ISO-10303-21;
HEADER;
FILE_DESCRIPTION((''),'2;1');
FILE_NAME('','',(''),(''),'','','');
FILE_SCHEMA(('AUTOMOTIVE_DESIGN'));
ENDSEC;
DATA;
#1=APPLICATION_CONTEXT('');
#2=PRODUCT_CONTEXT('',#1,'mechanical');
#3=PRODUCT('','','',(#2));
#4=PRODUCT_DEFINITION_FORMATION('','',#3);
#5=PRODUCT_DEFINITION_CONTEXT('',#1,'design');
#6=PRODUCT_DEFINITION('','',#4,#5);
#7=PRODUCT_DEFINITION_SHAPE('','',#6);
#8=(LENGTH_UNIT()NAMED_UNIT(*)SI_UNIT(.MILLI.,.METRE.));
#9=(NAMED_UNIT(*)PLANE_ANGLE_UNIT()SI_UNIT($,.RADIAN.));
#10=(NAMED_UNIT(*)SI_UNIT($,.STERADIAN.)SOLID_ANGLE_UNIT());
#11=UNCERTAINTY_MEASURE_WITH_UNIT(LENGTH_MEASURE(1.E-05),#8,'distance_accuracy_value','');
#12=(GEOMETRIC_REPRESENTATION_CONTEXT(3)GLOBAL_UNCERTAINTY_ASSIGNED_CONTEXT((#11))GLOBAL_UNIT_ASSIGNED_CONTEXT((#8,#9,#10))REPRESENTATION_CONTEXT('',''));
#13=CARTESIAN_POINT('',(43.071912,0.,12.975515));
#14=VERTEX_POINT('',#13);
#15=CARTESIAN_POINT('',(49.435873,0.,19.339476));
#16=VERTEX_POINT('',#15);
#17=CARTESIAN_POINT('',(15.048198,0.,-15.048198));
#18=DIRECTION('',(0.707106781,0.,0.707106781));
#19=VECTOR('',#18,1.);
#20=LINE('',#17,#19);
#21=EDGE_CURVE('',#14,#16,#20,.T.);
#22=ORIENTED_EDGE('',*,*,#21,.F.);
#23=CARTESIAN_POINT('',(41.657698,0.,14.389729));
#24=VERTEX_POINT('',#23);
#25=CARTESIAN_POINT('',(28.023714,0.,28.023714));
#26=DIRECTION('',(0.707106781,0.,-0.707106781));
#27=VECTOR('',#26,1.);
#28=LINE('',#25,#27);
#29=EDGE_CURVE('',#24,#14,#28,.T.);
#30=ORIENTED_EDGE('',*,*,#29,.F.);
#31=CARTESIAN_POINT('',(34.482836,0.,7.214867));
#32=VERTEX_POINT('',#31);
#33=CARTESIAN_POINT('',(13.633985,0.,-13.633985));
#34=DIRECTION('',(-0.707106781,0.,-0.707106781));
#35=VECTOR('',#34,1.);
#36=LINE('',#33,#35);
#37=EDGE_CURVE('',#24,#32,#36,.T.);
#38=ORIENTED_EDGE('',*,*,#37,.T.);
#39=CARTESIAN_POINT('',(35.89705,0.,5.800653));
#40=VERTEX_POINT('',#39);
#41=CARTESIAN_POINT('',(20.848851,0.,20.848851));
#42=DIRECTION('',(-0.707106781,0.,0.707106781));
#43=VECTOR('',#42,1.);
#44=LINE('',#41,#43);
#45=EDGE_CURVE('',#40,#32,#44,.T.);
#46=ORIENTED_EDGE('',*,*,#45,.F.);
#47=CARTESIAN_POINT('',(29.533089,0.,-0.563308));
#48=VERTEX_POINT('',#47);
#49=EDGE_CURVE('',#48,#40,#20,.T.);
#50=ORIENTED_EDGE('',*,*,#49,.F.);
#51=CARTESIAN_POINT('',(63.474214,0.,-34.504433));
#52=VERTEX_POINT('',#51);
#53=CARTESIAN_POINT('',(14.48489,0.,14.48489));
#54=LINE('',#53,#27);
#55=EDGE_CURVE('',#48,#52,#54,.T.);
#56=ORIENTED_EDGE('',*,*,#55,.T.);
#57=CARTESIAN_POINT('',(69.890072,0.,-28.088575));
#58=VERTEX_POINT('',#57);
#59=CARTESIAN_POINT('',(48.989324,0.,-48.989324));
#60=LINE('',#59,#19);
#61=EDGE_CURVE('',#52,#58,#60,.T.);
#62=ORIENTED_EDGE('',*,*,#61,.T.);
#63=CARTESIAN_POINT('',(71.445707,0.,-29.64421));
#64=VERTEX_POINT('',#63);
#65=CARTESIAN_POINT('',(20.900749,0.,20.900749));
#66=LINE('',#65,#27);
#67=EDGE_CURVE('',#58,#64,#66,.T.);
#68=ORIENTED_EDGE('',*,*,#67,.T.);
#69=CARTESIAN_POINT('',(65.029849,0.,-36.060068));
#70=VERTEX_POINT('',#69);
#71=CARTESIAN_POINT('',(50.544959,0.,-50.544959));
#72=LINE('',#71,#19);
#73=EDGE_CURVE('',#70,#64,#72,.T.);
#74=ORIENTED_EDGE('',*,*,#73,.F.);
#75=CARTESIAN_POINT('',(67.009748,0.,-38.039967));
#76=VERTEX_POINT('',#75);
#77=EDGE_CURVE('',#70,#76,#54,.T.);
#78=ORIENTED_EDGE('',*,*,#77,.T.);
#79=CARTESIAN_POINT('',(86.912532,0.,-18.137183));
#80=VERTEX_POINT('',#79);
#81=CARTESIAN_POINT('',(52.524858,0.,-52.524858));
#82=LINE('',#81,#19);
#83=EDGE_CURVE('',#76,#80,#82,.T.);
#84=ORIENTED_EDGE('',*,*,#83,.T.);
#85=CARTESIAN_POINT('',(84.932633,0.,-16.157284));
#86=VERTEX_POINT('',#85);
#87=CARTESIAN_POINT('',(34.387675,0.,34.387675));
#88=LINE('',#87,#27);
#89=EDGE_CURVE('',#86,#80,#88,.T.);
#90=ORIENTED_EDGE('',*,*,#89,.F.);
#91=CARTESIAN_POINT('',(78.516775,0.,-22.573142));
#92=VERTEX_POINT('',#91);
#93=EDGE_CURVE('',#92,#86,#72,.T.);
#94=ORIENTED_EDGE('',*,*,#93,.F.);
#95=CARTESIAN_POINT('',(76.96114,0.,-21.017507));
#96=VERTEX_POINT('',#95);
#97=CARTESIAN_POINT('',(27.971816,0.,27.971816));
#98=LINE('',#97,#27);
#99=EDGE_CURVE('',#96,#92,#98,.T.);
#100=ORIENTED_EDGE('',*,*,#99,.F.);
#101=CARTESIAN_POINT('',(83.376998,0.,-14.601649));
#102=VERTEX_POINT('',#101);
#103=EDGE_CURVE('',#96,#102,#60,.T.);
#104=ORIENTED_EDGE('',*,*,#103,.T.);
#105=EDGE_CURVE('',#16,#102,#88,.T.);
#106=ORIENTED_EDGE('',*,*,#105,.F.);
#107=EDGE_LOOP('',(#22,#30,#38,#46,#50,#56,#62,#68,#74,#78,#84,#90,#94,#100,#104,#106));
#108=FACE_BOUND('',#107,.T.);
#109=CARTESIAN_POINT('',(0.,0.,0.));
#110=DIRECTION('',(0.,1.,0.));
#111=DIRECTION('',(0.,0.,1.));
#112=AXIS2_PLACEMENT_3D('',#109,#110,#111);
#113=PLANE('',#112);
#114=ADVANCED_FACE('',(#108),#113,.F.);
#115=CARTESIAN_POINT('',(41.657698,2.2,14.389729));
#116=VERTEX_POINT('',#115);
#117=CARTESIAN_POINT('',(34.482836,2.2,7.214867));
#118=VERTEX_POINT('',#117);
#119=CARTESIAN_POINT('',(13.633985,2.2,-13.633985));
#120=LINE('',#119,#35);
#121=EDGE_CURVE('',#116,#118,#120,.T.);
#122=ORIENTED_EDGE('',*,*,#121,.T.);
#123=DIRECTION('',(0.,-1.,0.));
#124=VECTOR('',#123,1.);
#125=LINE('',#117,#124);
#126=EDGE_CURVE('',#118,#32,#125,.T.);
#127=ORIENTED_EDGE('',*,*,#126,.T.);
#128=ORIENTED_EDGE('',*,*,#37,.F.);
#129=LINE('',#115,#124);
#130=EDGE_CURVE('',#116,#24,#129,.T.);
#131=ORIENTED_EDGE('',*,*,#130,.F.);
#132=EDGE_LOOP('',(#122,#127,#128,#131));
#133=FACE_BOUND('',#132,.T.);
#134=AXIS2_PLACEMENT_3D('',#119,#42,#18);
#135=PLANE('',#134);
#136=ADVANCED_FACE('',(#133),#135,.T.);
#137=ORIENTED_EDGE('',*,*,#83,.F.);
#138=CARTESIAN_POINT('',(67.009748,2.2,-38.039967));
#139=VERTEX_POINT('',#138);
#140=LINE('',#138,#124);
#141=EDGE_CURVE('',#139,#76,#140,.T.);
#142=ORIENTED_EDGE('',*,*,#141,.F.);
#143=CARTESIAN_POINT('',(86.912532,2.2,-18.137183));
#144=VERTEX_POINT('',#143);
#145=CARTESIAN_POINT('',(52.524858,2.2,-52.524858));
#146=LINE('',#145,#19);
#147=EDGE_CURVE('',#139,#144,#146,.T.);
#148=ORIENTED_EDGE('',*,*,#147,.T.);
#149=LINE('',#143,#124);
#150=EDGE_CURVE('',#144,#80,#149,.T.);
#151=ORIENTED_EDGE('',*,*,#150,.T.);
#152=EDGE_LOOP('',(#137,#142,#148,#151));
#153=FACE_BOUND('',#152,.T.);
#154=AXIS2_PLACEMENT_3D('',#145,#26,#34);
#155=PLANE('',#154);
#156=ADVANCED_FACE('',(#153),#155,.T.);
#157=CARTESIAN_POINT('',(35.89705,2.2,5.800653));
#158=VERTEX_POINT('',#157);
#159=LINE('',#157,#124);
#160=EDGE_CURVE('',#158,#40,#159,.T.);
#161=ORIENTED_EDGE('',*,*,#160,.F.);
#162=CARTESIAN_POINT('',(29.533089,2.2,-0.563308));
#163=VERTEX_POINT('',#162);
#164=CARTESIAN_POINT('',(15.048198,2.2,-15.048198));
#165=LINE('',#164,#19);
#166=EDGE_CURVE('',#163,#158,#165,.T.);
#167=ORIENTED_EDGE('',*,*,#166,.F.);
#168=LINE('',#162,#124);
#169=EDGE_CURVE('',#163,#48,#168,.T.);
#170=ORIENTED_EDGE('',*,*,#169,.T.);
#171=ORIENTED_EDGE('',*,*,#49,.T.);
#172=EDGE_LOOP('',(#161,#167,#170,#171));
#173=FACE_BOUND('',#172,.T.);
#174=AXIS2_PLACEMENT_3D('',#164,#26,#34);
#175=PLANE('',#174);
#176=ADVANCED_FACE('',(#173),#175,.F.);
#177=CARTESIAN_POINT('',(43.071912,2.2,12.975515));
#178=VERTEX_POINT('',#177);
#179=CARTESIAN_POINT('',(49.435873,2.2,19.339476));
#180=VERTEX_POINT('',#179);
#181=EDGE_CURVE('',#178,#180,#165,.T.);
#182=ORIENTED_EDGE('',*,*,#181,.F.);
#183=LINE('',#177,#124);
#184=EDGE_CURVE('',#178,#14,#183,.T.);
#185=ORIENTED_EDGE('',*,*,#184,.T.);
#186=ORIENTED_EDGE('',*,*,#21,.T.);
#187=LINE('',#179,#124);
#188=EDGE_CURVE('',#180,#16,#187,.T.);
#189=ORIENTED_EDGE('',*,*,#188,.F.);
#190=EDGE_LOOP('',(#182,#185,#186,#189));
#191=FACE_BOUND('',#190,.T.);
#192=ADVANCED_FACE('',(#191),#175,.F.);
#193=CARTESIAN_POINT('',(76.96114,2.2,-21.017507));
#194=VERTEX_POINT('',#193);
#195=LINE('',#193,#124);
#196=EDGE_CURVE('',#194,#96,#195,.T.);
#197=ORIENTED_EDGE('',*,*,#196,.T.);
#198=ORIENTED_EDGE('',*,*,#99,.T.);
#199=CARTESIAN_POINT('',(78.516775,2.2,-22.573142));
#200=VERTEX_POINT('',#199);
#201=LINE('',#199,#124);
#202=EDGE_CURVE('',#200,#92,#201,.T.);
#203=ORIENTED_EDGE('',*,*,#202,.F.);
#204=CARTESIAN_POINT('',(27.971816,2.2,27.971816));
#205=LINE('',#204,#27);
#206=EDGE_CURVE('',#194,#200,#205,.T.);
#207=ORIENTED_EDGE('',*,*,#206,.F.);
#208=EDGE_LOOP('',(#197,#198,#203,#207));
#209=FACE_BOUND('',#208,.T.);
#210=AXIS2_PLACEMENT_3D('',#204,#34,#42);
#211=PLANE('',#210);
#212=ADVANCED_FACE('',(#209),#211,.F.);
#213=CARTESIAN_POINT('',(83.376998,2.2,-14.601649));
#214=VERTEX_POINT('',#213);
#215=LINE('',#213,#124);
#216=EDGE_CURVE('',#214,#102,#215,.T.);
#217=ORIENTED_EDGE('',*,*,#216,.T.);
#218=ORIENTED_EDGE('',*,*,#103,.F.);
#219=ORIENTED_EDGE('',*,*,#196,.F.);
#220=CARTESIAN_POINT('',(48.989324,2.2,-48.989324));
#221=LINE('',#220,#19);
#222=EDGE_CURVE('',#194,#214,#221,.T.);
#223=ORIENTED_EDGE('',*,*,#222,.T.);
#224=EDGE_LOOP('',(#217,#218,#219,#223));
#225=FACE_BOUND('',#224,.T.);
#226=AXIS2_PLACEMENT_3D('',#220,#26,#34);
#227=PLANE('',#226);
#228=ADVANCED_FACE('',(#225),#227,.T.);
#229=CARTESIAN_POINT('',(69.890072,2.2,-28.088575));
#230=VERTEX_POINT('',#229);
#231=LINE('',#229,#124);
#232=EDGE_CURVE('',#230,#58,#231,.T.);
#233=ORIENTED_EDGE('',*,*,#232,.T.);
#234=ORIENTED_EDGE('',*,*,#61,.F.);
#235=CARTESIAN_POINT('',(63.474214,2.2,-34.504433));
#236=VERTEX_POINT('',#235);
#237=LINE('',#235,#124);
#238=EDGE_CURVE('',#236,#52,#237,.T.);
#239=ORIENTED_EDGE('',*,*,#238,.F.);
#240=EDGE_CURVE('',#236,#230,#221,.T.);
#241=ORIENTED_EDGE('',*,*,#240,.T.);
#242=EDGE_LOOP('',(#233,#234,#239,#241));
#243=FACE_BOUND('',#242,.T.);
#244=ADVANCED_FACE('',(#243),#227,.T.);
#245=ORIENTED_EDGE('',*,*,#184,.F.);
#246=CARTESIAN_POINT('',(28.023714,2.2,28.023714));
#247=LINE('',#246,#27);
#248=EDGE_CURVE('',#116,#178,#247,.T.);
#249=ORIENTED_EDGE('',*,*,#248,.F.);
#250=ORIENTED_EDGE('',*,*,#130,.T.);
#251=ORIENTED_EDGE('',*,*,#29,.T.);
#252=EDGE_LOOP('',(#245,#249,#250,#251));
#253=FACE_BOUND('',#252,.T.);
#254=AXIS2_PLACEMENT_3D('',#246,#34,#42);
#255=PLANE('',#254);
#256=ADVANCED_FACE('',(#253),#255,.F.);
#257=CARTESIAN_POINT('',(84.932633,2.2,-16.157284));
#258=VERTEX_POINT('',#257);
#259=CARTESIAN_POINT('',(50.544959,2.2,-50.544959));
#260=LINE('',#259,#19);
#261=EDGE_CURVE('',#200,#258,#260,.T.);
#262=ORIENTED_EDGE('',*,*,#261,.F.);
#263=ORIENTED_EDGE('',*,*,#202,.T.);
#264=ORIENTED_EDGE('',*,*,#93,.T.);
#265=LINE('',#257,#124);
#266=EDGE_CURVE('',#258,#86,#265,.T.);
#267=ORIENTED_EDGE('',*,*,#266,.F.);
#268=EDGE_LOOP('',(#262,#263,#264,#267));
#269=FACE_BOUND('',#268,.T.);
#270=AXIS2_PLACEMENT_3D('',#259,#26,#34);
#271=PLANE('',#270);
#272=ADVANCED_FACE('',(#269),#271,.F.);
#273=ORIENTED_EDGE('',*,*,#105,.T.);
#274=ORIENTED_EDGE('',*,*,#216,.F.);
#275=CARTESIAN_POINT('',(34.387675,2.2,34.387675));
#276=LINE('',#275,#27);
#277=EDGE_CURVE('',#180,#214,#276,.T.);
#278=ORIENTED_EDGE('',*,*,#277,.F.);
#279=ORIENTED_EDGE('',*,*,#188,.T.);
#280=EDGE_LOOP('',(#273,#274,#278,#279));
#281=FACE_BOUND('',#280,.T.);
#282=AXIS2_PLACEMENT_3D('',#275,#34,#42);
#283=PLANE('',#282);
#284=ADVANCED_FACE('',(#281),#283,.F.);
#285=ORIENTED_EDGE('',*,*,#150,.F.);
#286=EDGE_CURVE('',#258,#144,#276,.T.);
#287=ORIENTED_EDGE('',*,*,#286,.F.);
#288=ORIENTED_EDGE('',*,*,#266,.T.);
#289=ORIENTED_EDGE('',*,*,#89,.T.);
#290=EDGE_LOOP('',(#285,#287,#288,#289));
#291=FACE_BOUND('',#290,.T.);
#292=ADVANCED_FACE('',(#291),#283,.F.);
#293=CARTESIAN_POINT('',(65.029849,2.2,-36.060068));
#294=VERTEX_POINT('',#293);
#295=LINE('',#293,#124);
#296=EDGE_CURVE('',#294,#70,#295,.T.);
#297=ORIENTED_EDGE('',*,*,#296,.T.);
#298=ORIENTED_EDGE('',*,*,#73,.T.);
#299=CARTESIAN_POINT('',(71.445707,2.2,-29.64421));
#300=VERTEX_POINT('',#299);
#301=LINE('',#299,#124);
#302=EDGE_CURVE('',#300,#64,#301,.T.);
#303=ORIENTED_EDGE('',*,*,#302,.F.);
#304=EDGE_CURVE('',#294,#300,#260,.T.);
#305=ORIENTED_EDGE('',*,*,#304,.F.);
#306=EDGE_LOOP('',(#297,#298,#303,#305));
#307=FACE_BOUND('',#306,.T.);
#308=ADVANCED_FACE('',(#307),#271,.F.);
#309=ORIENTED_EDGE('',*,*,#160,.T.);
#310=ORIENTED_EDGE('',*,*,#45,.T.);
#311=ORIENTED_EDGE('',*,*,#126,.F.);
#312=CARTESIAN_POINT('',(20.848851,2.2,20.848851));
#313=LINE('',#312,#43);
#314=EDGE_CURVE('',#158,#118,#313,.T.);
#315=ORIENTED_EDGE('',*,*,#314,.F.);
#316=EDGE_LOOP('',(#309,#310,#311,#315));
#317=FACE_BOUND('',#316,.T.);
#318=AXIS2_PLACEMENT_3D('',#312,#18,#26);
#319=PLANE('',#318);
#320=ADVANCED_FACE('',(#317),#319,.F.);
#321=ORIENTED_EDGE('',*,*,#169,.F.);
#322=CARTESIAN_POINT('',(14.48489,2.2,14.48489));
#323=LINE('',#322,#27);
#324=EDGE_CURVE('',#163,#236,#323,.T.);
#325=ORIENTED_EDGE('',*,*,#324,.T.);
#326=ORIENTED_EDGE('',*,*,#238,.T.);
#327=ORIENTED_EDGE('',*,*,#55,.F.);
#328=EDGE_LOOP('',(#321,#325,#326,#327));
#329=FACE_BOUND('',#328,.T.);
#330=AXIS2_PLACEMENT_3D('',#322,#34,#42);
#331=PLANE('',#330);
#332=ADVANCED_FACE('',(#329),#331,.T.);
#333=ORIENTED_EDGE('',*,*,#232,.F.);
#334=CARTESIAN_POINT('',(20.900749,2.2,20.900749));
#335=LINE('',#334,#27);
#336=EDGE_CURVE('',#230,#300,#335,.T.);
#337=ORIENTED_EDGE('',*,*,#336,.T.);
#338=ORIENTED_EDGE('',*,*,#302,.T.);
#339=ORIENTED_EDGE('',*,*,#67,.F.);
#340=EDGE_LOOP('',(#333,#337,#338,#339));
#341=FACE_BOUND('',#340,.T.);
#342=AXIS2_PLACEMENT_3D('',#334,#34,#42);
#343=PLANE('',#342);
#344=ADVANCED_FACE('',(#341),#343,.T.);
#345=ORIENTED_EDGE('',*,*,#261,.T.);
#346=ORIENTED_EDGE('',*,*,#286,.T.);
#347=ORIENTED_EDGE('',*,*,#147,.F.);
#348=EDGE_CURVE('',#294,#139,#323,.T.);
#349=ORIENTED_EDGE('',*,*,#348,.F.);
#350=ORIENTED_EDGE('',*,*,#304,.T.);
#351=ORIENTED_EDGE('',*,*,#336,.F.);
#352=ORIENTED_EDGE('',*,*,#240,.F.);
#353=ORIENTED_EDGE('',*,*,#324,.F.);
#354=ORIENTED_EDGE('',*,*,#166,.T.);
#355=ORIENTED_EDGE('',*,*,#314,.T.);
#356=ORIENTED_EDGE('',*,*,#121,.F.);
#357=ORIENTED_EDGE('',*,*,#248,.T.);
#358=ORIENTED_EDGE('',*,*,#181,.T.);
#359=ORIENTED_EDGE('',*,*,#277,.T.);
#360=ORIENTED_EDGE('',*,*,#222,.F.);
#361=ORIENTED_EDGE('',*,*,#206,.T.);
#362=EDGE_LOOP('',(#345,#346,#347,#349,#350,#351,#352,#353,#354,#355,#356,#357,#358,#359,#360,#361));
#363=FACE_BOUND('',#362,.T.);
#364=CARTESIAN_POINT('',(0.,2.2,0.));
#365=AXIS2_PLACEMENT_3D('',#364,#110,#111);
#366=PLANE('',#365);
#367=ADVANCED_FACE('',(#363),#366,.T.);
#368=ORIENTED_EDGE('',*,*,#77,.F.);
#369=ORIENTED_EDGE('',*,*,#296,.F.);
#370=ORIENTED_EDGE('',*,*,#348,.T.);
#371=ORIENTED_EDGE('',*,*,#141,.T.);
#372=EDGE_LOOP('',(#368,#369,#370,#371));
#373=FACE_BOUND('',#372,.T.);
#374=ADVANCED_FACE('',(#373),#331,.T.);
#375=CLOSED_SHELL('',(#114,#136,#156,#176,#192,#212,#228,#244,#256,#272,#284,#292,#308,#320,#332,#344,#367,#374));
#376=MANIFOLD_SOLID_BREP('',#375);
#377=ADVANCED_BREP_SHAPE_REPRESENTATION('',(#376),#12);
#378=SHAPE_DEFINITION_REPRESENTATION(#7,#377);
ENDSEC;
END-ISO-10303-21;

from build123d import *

# Parameters (mm, degrees)
BOSS_EXTRUDE1_DEPTH = 2.2


with BuildPart() as part:
    # Sketch1 → Boss-Extrude1 (new body)
    with BuildSketch(Plane(origin=(0, 0, 0), x_dir=(1, 0, 0), z_dir=(0, 1, 0))):
        Polygon((67.00974798, 38.039967247), (65.029848993, 36.06006826), (71.445707182, 29.64421007), (69.890072263, 28.088575152), (63.474214074, 34.504433341), (34.506193271, 5.536412538), (29.533088577, 0.563307844), (35.897049608, -5.800653187), (34.482836045, -7.214866749), (41.657698175, -14.389728878), (43.071911737, -12.975515316), (49.435872768, -19.339476346), (54.408977462, -14.366371652), (83.376998265, 14.60164915), (76.961140075, 21.01750734), (78.516774994, 22.573142258), (84.932633183, 16.157284069), (86.912532171, 18.137183056), align=None)
    extrude(amount=BOSS_EXTRUDE1_DEPTH)


solid = part.part
